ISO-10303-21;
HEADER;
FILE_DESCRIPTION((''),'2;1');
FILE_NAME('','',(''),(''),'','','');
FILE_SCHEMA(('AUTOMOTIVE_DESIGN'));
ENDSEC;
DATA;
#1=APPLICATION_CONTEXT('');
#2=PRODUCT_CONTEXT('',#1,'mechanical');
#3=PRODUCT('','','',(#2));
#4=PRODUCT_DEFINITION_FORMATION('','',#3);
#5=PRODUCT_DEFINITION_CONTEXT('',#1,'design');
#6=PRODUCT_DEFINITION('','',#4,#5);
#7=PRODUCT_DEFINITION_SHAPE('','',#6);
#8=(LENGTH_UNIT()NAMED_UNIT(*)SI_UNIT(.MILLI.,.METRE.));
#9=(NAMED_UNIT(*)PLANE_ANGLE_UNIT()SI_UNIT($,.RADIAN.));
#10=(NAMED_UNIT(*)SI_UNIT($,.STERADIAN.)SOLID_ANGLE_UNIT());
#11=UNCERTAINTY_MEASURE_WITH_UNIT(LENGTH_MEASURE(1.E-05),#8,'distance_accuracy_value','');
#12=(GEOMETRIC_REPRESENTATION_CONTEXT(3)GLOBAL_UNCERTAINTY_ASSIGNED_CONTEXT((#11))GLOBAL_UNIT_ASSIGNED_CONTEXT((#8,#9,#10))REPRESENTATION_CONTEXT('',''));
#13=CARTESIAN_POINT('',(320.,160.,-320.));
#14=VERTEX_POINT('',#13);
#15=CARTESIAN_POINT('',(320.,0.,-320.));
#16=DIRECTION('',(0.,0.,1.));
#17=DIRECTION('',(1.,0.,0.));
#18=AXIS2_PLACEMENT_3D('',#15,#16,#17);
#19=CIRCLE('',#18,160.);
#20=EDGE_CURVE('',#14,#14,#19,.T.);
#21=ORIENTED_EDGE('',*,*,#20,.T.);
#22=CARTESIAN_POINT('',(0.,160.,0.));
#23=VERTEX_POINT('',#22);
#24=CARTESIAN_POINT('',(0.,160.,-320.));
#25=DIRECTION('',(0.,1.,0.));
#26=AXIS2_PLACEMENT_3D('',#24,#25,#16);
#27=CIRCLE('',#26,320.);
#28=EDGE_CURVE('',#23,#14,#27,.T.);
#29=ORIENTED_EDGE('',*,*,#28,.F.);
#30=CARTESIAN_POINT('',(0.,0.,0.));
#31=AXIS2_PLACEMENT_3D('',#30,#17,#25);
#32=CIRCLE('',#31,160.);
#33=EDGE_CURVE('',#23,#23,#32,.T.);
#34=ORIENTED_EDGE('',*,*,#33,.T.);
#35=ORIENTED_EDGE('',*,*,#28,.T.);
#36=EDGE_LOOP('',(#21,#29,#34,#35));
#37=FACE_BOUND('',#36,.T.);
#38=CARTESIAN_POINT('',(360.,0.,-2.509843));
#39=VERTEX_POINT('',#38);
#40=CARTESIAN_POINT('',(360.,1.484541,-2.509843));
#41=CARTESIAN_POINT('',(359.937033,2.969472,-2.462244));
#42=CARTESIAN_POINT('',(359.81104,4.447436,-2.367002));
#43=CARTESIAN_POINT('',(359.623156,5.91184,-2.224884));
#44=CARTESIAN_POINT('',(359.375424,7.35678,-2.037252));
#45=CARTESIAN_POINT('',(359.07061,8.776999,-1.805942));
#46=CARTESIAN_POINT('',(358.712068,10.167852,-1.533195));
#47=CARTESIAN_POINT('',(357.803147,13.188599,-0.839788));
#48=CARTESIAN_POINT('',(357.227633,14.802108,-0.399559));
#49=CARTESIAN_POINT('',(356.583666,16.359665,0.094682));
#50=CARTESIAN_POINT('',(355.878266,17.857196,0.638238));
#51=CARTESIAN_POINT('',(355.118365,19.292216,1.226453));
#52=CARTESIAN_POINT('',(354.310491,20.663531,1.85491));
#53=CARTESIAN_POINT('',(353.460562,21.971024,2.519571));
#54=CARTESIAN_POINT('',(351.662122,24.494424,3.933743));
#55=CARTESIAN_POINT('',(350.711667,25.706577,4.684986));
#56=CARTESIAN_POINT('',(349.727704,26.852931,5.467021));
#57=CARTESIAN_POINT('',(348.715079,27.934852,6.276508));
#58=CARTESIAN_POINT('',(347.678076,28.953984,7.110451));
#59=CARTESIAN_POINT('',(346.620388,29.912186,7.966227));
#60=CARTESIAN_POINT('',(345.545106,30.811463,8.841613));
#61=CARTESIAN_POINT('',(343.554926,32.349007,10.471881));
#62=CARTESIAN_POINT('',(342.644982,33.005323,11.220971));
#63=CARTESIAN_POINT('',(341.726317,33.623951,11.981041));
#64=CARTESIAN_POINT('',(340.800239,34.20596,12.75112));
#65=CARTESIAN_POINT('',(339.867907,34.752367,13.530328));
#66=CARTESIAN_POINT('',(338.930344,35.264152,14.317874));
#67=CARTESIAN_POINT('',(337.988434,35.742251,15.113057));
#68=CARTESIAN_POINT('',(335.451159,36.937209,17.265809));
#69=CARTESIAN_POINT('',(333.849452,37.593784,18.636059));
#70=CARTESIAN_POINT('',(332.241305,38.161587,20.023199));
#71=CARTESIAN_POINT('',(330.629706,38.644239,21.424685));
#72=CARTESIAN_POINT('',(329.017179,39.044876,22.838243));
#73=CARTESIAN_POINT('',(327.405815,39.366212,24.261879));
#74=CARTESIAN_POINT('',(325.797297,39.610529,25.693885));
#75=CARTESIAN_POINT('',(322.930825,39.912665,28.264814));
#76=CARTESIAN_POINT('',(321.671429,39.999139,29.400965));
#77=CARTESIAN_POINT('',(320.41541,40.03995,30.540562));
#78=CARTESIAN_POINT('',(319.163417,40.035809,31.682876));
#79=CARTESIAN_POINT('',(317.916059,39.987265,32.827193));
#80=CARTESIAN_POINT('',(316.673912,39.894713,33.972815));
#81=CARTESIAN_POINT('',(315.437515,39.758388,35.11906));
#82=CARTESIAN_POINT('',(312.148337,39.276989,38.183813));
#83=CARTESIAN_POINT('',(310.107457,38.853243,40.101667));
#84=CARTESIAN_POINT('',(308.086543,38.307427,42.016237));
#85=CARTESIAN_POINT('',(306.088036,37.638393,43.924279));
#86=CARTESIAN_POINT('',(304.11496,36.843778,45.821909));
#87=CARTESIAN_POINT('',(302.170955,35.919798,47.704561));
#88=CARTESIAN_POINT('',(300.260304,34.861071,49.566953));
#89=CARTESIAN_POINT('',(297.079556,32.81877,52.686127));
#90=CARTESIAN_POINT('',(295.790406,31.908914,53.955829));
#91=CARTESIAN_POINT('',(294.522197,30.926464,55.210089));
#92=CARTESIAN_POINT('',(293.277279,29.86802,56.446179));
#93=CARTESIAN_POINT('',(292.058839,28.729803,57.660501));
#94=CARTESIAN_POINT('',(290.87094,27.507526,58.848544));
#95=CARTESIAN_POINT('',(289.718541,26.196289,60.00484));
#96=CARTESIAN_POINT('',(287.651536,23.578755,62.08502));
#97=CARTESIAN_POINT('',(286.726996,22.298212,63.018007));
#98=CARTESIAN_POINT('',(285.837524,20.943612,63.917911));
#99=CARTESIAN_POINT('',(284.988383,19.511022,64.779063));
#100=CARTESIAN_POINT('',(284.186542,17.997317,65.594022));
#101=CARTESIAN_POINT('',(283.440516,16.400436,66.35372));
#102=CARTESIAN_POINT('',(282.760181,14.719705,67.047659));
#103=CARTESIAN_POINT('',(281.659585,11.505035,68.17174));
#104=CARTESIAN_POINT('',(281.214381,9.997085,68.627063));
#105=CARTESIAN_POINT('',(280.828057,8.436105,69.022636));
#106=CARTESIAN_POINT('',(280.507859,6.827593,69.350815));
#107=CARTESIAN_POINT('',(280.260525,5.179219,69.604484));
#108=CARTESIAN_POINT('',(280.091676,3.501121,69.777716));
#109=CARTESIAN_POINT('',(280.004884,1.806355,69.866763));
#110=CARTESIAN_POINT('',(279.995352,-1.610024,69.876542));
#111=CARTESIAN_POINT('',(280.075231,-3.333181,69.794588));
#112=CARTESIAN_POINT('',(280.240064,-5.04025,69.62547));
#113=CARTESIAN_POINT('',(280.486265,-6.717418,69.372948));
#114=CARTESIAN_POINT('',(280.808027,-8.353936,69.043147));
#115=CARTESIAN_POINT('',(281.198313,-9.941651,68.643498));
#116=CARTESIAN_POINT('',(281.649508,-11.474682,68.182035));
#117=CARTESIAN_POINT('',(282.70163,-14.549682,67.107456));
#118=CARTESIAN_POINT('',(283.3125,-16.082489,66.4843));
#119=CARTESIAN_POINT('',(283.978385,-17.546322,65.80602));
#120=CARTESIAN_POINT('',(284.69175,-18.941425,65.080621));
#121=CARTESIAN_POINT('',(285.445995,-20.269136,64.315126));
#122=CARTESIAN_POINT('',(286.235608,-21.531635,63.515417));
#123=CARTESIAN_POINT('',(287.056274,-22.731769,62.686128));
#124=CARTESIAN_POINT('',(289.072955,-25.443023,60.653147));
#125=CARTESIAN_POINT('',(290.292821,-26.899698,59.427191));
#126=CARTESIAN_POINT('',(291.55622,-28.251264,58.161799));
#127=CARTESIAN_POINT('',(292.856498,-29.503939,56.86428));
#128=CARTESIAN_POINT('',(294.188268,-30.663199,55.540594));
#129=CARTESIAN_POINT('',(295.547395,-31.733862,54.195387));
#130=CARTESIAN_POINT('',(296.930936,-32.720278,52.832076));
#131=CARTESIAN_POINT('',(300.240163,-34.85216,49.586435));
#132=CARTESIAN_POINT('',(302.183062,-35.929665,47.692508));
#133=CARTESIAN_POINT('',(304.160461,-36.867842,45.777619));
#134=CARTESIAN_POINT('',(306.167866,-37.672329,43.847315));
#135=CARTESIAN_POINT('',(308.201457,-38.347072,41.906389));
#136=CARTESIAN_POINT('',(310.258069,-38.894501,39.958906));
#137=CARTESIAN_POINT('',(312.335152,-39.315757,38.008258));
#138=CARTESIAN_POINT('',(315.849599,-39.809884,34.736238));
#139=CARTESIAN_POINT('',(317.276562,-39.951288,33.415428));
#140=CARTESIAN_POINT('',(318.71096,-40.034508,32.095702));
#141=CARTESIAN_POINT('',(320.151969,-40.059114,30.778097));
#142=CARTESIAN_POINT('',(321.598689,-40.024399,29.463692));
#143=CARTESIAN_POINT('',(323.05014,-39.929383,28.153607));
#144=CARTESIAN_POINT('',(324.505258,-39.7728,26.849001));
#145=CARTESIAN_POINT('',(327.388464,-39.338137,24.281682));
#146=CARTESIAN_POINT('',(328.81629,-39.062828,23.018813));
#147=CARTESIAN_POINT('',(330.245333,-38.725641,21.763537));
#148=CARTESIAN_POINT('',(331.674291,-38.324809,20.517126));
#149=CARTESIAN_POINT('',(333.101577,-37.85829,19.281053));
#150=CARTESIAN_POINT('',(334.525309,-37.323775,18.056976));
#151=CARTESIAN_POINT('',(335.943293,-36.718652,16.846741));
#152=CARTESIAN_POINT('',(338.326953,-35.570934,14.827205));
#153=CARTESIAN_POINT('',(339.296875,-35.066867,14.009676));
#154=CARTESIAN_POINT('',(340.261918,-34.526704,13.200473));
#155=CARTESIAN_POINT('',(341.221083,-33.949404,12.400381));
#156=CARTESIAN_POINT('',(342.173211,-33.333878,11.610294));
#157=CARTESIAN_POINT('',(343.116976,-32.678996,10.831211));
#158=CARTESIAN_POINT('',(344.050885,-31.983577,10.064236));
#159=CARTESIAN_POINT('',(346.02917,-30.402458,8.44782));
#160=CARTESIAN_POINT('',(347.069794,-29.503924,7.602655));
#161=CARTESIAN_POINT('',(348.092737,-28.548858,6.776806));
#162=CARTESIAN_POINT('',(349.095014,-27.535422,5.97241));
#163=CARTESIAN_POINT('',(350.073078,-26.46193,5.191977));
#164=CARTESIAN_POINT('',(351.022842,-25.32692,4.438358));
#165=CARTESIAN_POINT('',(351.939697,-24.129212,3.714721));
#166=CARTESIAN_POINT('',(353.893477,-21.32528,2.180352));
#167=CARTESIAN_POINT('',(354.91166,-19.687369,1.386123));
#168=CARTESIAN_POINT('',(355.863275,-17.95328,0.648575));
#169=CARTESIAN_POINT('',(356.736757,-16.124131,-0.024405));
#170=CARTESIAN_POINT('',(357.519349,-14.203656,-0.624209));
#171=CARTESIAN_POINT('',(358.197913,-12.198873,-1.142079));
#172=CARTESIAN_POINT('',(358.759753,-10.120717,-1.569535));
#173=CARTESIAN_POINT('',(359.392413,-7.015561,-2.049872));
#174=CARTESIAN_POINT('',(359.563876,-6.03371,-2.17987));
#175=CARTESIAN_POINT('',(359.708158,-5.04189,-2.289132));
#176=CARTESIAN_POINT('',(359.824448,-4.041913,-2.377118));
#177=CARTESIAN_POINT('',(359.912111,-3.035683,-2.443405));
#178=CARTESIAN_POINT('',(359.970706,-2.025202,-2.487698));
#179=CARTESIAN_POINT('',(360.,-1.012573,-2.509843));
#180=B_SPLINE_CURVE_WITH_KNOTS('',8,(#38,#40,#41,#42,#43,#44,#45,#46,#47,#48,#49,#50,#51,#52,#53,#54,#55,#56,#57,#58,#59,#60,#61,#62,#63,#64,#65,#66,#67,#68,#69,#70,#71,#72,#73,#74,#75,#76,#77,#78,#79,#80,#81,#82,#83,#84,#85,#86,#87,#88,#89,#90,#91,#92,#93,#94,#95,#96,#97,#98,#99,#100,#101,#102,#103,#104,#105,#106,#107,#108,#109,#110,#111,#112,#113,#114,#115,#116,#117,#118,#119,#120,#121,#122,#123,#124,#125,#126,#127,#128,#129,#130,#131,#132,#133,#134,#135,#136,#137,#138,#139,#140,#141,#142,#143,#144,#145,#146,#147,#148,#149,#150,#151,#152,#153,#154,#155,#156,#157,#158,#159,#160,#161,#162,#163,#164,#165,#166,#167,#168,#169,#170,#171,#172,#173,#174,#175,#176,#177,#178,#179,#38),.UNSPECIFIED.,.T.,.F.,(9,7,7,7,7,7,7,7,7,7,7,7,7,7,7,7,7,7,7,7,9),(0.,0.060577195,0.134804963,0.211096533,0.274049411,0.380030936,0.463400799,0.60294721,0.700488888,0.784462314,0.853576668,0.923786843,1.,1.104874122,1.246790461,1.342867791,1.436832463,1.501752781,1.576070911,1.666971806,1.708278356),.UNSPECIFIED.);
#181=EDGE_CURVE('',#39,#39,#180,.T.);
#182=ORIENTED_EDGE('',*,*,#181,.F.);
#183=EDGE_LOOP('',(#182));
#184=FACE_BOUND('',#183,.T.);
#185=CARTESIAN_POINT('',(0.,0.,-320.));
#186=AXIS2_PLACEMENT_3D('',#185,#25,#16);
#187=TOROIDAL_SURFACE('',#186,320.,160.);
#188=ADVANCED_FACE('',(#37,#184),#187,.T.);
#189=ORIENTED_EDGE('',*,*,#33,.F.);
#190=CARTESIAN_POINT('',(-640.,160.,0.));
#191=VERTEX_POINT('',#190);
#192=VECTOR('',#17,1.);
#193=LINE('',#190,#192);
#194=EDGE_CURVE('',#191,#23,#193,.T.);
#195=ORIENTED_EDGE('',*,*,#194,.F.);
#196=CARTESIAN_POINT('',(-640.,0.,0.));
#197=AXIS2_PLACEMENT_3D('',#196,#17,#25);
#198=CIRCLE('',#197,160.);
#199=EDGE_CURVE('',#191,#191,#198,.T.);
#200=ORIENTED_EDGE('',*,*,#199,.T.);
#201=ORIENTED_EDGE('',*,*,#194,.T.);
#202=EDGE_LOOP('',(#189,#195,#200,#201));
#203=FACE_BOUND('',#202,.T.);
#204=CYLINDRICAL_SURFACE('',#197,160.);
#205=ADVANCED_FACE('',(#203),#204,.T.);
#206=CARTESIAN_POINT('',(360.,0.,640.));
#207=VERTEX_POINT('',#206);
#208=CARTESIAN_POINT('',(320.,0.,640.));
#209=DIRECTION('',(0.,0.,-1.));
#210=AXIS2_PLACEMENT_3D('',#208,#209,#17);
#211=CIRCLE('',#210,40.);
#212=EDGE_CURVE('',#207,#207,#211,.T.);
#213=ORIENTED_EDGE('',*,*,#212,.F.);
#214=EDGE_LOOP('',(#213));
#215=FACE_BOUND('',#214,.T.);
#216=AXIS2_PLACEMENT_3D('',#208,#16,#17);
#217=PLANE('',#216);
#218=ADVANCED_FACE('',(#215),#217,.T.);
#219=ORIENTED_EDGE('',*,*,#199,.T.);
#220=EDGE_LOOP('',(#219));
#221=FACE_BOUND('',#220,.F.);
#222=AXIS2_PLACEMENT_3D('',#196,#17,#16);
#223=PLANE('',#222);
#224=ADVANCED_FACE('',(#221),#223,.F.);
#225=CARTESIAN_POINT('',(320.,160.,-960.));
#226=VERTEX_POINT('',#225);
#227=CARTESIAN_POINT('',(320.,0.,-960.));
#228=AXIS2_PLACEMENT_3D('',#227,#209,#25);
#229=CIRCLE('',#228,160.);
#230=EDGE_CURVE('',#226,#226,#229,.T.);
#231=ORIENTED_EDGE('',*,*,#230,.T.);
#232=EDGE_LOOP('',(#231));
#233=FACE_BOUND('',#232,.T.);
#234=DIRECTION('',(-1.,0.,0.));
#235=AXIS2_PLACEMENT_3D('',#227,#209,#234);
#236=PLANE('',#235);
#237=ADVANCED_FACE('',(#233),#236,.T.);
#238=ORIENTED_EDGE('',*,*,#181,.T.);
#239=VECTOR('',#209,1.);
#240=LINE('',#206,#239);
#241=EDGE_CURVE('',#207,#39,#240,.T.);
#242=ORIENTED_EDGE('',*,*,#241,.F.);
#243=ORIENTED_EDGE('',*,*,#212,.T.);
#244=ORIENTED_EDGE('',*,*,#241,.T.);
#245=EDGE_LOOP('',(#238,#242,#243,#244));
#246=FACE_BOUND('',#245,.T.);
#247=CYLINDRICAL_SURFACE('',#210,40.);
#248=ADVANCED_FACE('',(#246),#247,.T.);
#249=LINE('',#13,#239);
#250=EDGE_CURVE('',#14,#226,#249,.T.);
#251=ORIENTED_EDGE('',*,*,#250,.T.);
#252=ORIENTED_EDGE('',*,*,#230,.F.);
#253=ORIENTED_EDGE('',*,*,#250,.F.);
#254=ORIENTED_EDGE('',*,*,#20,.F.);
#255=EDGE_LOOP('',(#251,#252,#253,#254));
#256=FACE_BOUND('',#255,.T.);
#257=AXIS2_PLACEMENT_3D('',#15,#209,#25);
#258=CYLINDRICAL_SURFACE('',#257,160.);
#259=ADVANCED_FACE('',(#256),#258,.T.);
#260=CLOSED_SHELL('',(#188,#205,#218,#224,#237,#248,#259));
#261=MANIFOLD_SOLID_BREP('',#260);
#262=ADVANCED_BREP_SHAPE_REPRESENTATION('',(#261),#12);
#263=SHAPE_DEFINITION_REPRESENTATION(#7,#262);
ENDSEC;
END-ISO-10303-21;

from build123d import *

# Parameters (mm, degrees)
F1_R = 160
F4_R = 40


with BuildPart() as f2:
    # F2: sweep along a path in F0
    with BuildLine(Plane.XZ) as f2_path:
        Line((-640, 0), (0, 0))
        ThreePointArc((0, 0), (226.2741699797, -93.7258300203), (320, -320))
        Line((320, -320), (320, -960))
    # F1 (on Right) → F2 (sweep)
    with BuildSketch(Plane.YZ):
        Circle(F1_R)
    sweep(path=f2_path.line)

    # F5: sweep along a path in F3
    with BuildLine(Plane.XZ) as f5_path:
        Line((320, 640), (320, -183.2472234964))
    # F4 (on Top) → F5 (sweep)
    with BuildSketch(Plane.XY):
        with Locations((320, 0)):
            Circle(F4_R)
    sweep(path=f5_path.line)


solid = f2.part
